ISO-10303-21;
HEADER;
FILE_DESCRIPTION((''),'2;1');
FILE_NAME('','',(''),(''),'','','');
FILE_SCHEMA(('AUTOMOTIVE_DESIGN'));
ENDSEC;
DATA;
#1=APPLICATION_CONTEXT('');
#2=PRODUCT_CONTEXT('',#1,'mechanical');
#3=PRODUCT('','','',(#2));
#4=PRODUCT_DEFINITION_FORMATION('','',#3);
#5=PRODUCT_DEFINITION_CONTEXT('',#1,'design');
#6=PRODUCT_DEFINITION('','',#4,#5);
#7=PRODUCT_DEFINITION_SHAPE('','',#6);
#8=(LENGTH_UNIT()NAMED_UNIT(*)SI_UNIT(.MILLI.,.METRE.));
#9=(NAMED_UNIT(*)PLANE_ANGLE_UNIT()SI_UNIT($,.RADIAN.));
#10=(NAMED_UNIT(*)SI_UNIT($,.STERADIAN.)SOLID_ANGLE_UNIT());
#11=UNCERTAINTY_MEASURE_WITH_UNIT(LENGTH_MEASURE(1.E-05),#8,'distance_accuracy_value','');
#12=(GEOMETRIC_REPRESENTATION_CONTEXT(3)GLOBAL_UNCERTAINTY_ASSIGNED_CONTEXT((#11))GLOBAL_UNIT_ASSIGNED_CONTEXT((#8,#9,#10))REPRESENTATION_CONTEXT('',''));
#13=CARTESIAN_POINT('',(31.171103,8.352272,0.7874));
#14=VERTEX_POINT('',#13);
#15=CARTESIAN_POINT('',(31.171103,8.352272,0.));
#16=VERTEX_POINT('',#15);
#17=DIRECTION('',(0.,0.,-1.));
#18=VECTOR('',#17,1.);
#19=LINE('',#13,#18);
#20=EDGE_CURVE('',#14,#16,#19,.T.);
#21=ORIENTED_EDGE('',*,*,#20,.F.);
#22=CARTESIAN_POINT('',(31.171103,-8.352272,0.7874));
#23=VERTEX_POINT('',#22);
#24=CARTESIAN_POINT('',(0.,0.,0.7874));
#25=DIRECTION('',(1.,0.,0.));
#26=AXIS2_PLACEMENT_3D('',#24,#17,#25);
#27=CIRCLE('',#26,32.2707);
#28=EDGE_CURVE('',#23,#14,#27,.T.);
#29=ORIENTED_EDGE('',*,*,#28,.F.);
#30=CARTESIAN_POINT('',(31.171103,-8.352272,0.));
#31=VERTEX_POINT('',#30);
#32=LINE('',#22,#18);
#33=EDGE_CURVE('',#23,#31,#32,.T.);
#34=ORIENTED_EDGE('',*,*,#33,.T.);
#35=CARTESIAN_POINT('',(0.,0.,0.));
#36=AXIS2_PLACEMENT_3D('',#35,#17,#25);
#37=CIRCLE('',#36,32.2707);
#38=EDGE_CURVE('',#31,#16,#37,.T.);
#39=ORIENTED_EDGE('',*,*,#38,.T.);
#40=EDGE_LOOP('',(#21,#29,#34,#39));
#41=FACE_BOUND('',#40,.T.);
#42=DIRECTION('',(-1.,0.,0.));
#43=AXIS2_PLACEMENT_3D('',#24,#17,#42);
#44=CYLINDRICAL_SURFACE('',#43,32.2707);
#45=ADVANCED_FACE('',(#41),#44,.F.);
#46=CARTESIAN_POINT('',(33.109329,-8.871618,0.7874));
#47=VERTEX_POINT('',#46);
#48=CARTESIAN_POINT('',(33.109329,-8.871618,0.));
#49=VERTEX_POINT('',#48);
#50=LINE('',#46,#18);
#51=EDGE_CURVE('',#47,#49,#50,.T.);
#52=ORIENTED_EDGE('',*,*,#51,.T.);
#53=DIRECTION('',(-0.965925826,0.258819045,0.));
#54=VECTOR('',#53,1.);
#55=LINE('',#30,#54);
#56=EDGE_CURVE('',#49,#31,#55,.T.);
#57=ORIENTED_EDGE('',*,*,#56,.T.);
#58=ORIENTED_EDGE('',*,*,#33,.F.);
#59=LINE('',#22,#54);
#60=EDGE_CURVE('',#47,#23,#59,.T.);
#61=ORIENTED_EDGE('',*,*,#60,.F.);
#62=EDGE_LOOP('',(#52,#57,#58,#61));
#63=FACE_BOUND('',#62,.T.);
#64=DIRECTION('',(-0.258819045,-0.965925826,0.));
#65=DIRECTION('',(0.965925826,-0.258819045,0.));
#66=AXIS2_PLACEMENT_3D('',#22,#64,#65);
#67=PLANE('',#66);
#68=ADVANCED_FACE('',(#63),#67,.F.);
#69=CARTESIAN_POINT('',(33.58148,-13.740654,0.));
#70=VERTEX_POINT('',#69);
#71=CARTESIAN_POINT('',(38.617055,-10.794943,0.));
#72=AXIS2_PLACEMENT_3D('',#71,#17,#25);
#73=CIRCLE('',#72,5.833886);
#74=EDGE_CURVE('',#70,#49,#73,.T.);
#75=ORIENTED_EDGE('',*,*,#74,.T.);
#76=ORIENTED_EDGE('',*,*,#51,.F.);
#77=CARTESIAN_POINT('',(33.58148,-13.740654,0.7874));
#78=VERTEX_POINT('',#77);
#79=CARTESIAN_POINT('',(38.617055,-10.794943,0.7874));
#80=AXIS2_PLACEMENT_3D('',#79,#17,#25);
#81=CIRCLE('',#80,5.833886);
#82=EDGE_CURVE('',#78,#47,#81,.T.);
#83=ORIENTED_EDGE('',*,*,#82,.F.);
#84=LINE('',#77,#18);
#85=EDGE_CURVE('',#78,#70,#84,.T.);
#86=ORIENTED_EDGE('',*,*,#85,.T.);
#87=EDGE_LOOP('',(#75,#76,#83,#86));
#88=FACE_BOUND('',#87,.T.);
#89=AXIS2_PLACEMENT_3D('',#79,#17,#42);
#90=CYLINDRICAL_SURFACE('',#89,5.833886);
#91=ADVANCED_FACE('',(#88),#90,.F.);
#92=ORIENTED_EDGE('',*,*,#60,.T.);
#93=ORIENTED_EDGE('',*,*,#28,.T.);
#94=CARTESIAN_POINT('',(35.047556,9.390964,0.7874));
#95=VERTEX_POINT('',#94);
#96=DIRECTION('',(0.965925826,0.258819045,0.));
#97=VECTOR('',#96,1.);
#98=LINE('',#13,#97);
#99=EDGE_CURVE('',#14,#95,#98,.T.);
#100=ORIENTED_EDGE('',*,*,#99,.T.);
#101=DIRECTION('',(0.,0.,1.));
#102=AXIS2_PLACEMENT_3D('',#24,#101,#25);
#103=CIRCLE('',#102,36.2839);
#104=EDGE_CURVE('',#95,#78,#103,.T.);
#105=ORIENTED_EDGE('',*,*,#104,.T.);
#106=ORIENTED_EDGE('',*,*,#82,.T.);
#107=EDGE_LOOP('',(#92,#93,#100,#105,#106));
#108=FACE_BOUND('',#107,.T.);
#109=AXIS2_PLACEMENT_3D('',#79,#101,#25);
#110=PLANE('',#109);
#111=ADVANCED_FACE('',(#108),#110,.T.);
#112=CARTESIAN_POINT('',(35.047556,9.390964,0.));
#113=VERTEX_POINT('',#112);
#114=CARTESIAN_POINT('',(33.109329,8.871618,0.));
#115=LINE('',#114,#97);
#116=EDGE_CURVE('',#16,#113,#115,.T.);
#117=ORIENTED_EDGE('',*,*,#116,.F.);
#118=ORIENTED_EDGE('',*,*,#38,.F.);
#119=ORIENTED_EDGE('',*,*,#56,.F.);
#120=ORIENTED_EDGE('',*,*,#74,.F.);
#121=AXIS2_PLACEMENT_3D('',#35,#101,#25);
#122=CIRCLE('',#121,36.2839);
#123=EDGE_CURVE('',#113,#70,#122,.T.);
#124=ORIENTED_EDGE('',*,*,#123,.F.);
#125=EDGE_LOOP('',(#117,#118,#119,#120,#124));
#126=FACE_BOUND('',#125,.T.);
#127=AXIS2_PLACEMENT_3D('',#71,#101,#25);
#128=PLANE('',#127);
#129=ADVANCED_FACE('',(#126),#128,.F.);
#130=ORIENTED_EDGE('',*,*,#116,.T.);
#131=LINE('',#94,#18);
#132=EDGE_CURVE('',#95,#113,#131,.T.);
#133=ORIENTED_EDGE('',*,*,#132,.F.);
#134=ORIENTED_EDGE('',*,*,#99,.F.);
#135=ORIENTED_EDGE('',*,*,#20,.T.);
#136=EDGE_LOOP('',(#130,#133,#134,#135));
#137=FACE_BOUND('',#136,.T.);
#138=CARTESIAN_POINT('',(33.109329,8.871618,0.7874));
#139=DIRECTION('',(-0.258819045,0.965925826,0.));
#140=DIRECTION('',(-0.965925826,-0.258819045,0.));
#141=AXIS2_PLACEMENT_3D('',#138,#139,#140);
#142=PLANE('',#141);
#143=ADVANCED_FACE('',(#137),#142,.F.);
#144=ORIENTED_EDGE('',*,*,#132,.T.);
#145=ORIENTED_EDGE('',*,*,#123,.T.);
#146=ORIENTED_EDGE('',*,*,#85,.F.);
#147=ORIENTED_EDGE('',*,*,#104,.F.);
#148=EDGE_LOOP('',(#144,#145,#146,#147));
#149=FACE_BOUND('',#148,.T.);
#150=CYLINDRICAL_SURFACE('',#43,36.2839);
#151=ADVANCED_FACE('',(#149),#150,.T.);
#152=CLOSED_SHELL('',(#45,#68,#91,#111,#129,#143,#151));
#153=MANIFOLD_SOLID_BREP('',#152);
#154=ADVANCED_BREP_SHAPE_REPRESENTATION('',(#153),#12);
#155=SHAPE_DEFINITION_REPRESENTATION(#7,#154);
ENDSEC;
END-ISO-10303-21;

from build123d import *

# Parameters (mm, degrees)
BOSS_EXTRUDE1_DEPTH = 0.7874


with BuildPart() as part:
    # Sketch2 → Boss-Extrude1 (new body)
    with BuildSketch(Plane.XY):
        with BuildLine():
            Line((31.171102562, 8.352271759), (33.109329325, 8.871618055))
            Line((33.109329325, 8.871618055), (35.047556088, 9.390964351))
            ThreePointArc((35.047556088, 9.390964351), (-36.211242798, 2.295058655), (33.581480457, -13.740653898))
            ThreePointArc((33.581480457, -13.740653898), (32.810406003, -11.358014898), (33.109329325, -8.871618055))
            Line((33.109329325, -8.871618055), (31.171102562, -8.352271759))
            ThreePointArc((31.171102562, -8.352271759), (-32.2707, 0), (31.171102562, 8.352271759))
        make_face()
    extrude(amount=BOSS_EXTRUDE1_DEPTH)


solid = part.part
